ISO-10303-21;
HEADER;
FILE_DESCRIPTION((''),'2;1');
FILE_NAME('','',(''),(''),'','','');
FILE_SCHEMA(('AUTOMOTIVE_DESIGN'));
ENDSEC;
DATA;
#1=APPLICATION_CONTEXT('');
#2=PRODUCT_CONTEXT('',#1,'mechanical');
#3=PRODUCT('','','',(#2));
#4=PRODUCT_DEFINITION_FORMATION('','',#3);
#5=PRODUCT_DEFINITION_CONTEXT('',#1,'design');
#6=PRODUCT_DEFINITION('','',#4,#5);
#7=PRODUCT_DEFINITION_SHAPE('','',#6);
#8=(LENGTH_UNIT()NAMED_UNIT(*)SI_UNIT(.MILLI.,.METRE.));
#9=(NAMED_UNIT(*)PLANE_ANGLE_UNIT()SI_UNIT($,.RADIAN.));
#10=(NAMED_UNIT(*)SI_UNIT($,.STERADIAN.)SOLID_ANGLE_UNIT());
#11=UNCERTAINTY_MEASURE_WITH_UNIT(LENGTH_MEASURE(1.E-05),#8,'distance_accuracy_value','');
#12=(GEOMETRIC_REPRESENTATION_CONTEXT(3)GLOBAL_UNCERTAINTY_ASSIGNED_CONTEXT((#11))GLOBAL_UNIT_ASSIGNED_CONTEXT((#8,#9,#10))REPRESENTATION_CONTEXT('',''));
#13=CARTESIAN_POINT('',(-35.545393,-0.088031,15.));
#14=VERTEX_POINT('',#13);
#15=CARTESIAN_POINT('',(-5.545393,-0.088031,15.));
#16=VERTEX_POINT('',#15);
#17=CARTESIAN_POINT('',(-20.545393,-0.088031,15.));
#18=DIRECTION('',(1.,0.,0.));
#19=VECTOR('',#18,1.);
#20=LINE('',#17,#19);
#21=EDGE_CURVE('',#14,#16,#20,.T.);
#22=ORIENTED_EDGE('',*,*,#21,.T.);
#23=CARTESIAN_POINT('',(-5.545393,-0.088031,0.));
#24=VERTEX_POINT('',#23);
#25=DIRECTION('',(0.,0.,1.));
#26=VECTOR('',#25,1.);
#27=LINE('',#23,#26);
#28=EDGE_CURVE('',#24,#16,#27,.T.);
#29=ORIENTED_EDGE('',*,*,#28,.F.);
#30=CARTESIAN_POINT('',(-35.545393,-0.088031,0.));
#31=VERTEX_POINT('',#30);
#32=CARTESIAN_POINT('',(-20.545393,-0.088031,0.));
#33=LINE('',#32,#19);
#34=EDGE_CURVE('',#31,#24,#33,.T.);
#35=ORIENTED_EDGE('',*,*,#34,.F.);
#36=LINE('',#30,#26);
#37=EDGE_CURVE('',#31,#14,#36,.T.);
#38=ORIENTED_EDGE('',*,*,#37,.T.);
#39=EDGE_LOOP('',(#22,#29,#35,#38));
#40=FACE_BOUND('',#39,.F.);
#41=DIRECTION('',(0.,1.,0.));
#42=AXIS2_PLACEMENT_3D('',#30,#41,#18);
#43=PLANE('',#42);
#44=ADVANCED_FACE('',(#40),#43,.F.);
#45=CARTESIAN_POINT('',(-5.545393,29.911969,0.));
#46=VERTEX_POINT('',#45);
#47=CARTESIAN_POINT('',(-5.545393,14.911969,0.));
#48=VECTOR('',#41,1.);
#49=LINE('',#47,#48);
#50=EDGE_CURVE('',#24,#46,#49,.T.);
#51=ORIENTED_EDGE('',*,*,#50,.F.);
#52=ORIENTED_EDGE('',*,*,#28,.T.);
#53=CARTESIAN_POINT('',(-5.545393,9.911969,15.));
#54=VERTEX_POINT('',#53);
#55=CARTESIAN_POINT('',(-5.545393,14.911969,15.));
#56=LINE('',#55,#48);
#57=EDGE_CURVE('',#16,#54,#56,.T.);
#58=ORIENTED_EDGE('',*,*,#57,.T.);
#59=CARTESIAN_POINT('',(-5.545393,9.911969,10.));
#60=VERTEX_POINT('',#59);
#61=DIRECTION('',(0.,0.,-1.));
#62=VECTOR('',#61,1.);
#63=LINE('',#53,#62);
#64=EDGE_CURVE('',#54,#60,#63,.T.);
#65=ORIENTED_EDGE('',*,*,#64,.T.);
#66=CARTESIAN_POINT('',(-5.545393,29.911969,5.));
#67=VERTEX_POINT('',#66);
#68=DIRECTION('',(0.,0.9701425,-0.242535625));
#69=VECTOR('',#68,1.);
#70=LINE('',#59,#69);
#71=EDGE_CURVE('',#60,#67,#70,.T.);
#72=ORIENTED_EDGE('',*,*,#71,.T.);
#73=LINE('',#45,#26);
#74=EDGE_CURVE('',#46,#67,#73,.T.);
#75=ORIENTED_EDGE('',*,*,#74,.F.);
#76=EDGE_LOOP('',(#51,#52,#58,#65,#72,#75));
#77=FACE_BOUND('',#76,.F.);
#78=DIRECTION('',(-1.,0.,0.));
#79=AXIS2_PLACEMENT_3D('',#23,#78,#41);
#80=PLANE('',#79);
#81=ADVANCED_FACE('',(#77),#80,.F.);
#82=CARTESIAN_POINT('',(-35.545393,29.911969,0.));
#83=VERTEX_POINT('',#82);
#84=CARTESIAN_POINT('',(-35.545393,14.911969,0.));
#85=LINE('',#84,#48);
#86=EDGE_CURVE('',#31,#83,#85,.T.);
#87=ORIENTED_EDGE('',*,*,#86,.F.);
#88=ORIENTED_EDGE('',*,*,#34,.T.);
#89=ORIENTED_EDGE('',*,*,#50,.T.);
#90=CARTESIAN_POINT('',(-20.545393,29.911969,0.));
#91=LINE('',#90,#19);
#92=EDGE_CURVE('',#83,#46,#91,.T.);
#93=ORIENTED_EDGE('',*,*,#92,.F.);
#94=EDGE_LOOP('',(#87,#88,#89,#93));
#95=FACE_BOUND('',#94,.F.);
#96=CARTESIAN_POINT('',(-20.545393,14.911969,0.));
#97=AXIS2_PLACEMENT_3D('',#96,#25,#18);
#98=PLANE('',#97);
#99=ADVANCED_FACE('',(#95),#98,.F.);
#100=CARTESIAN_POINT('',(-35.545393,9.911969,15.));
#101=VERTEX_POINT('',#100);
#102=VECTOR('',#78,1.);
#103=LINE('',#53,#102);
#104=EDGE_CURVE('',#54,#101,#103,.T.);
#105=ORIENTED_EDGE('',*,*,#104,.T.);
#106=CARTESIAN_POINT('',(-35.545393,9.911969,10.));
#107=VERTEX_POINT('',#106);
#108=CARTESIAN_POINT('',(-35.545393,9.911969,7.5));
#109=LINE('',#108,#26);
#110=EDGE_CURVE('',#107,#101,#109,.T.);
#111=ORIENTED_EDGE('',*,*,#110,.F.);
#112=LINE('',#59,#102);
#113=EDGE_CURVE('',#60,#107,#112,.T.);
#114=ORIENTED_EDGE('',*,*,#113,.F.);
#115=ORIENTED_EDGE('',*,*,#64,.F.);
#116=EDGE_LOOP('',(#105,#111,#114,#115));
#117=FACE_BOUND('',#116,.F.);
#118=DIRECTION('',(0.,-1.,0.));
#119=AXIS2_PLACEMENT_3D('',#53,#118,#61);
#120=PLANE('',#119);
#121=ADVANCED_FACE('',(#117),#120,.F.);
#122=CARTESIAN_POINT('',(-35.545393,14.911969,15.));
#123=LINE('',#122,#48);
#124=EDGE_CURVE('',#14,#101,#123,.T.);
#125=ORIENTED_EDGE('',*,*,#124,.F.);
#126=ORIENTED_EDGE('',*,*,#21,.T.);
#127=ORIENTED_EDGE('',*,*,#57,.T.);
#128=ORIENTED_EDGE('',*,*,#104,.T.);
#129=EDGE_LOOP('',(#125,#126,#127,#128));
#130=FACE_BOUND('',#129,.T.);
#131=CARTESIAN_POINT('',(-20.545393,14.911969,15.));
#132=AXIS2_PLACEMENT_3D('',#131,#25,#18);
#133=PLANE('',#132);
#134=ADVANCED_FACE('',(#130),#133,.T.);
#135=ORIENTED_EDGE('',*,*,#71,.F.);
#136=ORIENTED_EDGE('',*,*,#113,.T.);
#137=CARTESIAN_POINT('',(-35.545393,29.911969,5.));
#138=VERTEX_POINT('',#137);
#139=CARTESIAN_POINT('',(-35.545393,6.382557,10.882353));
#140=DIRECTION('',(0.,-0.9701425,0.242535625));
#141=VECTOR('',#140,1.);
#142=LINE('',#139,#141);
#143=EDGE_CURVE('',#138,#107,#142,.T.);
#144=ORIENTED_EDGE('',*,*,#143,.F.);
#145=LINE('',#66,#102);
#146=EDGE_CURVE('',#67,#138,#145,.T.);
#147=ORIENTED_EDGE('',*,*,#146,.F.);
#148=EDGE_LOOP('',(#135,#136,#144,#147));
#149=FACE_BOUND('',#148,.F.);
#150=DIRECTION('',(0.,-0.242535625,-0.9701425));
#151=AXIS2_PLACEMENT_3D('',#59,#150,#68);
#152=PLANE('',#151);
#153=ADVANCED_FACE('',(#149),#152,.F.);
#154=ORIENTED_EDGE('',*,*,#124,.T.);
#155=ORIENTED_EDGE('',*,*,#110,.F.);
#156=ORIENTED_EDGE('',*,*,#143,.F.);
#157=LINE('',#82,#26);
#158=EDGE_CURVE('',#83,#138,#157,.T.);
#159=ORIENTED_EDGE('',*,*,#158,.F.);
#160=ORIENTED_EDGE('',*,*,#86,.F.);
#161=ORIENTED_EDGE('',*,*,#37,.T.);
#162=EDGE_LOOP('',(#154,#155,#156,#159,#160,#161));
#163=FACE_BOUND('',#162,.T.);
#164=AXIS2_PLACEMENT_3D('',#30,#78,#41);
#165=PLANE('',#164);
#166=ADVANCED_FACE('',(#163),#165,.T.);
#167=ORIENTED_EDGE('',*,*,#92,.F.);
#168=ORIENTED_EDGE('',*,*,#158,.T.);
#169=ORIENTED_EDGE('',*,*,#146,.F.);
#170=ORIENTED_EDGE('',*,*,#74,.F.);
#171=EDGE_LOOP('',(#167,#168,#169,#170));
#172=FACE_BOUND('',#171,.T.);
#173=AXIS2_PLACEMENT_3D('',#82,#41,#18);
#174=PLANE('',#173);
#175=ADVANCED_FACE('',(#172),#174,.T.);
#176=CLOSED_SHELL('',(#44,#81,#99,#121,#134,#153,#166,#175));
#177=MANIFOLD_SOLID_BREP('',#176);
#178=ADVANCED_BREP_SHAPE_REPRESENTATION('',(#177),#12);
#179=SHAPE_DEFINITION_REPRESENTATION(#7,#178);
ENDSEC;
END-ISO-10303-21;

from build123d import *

# Parameters (mm, degrees)
F0_W     = 30
F0_H     = 30
F1_DEPTH = 15
F3_DEPTH = 30.001


with BuildPart() as f1:
    # F0 (on Top) → F1 (new body)
    with BuildSketch(Plane.XY):
        with Locations((-20.545393, 14.911969)):
            Rectangle(F0_W, F0_H)
    extrude(amount=F1_DEPTH)

    # F2 (on face) → F3 (cut, through all)
    with BuildSketch(Plane.YZ.offset(-5.545393)):
        Polygon((29.911969, 15), (9.911969, 15), (29.911969, 5), align=None)
        Polygon((29.911969, 5), (9.911969, 15), (9.911969, 10), align=None)
    extrude(amount=-F3_DEPTH, mode=Mode.SUBTRACT)


solid = f1.part
